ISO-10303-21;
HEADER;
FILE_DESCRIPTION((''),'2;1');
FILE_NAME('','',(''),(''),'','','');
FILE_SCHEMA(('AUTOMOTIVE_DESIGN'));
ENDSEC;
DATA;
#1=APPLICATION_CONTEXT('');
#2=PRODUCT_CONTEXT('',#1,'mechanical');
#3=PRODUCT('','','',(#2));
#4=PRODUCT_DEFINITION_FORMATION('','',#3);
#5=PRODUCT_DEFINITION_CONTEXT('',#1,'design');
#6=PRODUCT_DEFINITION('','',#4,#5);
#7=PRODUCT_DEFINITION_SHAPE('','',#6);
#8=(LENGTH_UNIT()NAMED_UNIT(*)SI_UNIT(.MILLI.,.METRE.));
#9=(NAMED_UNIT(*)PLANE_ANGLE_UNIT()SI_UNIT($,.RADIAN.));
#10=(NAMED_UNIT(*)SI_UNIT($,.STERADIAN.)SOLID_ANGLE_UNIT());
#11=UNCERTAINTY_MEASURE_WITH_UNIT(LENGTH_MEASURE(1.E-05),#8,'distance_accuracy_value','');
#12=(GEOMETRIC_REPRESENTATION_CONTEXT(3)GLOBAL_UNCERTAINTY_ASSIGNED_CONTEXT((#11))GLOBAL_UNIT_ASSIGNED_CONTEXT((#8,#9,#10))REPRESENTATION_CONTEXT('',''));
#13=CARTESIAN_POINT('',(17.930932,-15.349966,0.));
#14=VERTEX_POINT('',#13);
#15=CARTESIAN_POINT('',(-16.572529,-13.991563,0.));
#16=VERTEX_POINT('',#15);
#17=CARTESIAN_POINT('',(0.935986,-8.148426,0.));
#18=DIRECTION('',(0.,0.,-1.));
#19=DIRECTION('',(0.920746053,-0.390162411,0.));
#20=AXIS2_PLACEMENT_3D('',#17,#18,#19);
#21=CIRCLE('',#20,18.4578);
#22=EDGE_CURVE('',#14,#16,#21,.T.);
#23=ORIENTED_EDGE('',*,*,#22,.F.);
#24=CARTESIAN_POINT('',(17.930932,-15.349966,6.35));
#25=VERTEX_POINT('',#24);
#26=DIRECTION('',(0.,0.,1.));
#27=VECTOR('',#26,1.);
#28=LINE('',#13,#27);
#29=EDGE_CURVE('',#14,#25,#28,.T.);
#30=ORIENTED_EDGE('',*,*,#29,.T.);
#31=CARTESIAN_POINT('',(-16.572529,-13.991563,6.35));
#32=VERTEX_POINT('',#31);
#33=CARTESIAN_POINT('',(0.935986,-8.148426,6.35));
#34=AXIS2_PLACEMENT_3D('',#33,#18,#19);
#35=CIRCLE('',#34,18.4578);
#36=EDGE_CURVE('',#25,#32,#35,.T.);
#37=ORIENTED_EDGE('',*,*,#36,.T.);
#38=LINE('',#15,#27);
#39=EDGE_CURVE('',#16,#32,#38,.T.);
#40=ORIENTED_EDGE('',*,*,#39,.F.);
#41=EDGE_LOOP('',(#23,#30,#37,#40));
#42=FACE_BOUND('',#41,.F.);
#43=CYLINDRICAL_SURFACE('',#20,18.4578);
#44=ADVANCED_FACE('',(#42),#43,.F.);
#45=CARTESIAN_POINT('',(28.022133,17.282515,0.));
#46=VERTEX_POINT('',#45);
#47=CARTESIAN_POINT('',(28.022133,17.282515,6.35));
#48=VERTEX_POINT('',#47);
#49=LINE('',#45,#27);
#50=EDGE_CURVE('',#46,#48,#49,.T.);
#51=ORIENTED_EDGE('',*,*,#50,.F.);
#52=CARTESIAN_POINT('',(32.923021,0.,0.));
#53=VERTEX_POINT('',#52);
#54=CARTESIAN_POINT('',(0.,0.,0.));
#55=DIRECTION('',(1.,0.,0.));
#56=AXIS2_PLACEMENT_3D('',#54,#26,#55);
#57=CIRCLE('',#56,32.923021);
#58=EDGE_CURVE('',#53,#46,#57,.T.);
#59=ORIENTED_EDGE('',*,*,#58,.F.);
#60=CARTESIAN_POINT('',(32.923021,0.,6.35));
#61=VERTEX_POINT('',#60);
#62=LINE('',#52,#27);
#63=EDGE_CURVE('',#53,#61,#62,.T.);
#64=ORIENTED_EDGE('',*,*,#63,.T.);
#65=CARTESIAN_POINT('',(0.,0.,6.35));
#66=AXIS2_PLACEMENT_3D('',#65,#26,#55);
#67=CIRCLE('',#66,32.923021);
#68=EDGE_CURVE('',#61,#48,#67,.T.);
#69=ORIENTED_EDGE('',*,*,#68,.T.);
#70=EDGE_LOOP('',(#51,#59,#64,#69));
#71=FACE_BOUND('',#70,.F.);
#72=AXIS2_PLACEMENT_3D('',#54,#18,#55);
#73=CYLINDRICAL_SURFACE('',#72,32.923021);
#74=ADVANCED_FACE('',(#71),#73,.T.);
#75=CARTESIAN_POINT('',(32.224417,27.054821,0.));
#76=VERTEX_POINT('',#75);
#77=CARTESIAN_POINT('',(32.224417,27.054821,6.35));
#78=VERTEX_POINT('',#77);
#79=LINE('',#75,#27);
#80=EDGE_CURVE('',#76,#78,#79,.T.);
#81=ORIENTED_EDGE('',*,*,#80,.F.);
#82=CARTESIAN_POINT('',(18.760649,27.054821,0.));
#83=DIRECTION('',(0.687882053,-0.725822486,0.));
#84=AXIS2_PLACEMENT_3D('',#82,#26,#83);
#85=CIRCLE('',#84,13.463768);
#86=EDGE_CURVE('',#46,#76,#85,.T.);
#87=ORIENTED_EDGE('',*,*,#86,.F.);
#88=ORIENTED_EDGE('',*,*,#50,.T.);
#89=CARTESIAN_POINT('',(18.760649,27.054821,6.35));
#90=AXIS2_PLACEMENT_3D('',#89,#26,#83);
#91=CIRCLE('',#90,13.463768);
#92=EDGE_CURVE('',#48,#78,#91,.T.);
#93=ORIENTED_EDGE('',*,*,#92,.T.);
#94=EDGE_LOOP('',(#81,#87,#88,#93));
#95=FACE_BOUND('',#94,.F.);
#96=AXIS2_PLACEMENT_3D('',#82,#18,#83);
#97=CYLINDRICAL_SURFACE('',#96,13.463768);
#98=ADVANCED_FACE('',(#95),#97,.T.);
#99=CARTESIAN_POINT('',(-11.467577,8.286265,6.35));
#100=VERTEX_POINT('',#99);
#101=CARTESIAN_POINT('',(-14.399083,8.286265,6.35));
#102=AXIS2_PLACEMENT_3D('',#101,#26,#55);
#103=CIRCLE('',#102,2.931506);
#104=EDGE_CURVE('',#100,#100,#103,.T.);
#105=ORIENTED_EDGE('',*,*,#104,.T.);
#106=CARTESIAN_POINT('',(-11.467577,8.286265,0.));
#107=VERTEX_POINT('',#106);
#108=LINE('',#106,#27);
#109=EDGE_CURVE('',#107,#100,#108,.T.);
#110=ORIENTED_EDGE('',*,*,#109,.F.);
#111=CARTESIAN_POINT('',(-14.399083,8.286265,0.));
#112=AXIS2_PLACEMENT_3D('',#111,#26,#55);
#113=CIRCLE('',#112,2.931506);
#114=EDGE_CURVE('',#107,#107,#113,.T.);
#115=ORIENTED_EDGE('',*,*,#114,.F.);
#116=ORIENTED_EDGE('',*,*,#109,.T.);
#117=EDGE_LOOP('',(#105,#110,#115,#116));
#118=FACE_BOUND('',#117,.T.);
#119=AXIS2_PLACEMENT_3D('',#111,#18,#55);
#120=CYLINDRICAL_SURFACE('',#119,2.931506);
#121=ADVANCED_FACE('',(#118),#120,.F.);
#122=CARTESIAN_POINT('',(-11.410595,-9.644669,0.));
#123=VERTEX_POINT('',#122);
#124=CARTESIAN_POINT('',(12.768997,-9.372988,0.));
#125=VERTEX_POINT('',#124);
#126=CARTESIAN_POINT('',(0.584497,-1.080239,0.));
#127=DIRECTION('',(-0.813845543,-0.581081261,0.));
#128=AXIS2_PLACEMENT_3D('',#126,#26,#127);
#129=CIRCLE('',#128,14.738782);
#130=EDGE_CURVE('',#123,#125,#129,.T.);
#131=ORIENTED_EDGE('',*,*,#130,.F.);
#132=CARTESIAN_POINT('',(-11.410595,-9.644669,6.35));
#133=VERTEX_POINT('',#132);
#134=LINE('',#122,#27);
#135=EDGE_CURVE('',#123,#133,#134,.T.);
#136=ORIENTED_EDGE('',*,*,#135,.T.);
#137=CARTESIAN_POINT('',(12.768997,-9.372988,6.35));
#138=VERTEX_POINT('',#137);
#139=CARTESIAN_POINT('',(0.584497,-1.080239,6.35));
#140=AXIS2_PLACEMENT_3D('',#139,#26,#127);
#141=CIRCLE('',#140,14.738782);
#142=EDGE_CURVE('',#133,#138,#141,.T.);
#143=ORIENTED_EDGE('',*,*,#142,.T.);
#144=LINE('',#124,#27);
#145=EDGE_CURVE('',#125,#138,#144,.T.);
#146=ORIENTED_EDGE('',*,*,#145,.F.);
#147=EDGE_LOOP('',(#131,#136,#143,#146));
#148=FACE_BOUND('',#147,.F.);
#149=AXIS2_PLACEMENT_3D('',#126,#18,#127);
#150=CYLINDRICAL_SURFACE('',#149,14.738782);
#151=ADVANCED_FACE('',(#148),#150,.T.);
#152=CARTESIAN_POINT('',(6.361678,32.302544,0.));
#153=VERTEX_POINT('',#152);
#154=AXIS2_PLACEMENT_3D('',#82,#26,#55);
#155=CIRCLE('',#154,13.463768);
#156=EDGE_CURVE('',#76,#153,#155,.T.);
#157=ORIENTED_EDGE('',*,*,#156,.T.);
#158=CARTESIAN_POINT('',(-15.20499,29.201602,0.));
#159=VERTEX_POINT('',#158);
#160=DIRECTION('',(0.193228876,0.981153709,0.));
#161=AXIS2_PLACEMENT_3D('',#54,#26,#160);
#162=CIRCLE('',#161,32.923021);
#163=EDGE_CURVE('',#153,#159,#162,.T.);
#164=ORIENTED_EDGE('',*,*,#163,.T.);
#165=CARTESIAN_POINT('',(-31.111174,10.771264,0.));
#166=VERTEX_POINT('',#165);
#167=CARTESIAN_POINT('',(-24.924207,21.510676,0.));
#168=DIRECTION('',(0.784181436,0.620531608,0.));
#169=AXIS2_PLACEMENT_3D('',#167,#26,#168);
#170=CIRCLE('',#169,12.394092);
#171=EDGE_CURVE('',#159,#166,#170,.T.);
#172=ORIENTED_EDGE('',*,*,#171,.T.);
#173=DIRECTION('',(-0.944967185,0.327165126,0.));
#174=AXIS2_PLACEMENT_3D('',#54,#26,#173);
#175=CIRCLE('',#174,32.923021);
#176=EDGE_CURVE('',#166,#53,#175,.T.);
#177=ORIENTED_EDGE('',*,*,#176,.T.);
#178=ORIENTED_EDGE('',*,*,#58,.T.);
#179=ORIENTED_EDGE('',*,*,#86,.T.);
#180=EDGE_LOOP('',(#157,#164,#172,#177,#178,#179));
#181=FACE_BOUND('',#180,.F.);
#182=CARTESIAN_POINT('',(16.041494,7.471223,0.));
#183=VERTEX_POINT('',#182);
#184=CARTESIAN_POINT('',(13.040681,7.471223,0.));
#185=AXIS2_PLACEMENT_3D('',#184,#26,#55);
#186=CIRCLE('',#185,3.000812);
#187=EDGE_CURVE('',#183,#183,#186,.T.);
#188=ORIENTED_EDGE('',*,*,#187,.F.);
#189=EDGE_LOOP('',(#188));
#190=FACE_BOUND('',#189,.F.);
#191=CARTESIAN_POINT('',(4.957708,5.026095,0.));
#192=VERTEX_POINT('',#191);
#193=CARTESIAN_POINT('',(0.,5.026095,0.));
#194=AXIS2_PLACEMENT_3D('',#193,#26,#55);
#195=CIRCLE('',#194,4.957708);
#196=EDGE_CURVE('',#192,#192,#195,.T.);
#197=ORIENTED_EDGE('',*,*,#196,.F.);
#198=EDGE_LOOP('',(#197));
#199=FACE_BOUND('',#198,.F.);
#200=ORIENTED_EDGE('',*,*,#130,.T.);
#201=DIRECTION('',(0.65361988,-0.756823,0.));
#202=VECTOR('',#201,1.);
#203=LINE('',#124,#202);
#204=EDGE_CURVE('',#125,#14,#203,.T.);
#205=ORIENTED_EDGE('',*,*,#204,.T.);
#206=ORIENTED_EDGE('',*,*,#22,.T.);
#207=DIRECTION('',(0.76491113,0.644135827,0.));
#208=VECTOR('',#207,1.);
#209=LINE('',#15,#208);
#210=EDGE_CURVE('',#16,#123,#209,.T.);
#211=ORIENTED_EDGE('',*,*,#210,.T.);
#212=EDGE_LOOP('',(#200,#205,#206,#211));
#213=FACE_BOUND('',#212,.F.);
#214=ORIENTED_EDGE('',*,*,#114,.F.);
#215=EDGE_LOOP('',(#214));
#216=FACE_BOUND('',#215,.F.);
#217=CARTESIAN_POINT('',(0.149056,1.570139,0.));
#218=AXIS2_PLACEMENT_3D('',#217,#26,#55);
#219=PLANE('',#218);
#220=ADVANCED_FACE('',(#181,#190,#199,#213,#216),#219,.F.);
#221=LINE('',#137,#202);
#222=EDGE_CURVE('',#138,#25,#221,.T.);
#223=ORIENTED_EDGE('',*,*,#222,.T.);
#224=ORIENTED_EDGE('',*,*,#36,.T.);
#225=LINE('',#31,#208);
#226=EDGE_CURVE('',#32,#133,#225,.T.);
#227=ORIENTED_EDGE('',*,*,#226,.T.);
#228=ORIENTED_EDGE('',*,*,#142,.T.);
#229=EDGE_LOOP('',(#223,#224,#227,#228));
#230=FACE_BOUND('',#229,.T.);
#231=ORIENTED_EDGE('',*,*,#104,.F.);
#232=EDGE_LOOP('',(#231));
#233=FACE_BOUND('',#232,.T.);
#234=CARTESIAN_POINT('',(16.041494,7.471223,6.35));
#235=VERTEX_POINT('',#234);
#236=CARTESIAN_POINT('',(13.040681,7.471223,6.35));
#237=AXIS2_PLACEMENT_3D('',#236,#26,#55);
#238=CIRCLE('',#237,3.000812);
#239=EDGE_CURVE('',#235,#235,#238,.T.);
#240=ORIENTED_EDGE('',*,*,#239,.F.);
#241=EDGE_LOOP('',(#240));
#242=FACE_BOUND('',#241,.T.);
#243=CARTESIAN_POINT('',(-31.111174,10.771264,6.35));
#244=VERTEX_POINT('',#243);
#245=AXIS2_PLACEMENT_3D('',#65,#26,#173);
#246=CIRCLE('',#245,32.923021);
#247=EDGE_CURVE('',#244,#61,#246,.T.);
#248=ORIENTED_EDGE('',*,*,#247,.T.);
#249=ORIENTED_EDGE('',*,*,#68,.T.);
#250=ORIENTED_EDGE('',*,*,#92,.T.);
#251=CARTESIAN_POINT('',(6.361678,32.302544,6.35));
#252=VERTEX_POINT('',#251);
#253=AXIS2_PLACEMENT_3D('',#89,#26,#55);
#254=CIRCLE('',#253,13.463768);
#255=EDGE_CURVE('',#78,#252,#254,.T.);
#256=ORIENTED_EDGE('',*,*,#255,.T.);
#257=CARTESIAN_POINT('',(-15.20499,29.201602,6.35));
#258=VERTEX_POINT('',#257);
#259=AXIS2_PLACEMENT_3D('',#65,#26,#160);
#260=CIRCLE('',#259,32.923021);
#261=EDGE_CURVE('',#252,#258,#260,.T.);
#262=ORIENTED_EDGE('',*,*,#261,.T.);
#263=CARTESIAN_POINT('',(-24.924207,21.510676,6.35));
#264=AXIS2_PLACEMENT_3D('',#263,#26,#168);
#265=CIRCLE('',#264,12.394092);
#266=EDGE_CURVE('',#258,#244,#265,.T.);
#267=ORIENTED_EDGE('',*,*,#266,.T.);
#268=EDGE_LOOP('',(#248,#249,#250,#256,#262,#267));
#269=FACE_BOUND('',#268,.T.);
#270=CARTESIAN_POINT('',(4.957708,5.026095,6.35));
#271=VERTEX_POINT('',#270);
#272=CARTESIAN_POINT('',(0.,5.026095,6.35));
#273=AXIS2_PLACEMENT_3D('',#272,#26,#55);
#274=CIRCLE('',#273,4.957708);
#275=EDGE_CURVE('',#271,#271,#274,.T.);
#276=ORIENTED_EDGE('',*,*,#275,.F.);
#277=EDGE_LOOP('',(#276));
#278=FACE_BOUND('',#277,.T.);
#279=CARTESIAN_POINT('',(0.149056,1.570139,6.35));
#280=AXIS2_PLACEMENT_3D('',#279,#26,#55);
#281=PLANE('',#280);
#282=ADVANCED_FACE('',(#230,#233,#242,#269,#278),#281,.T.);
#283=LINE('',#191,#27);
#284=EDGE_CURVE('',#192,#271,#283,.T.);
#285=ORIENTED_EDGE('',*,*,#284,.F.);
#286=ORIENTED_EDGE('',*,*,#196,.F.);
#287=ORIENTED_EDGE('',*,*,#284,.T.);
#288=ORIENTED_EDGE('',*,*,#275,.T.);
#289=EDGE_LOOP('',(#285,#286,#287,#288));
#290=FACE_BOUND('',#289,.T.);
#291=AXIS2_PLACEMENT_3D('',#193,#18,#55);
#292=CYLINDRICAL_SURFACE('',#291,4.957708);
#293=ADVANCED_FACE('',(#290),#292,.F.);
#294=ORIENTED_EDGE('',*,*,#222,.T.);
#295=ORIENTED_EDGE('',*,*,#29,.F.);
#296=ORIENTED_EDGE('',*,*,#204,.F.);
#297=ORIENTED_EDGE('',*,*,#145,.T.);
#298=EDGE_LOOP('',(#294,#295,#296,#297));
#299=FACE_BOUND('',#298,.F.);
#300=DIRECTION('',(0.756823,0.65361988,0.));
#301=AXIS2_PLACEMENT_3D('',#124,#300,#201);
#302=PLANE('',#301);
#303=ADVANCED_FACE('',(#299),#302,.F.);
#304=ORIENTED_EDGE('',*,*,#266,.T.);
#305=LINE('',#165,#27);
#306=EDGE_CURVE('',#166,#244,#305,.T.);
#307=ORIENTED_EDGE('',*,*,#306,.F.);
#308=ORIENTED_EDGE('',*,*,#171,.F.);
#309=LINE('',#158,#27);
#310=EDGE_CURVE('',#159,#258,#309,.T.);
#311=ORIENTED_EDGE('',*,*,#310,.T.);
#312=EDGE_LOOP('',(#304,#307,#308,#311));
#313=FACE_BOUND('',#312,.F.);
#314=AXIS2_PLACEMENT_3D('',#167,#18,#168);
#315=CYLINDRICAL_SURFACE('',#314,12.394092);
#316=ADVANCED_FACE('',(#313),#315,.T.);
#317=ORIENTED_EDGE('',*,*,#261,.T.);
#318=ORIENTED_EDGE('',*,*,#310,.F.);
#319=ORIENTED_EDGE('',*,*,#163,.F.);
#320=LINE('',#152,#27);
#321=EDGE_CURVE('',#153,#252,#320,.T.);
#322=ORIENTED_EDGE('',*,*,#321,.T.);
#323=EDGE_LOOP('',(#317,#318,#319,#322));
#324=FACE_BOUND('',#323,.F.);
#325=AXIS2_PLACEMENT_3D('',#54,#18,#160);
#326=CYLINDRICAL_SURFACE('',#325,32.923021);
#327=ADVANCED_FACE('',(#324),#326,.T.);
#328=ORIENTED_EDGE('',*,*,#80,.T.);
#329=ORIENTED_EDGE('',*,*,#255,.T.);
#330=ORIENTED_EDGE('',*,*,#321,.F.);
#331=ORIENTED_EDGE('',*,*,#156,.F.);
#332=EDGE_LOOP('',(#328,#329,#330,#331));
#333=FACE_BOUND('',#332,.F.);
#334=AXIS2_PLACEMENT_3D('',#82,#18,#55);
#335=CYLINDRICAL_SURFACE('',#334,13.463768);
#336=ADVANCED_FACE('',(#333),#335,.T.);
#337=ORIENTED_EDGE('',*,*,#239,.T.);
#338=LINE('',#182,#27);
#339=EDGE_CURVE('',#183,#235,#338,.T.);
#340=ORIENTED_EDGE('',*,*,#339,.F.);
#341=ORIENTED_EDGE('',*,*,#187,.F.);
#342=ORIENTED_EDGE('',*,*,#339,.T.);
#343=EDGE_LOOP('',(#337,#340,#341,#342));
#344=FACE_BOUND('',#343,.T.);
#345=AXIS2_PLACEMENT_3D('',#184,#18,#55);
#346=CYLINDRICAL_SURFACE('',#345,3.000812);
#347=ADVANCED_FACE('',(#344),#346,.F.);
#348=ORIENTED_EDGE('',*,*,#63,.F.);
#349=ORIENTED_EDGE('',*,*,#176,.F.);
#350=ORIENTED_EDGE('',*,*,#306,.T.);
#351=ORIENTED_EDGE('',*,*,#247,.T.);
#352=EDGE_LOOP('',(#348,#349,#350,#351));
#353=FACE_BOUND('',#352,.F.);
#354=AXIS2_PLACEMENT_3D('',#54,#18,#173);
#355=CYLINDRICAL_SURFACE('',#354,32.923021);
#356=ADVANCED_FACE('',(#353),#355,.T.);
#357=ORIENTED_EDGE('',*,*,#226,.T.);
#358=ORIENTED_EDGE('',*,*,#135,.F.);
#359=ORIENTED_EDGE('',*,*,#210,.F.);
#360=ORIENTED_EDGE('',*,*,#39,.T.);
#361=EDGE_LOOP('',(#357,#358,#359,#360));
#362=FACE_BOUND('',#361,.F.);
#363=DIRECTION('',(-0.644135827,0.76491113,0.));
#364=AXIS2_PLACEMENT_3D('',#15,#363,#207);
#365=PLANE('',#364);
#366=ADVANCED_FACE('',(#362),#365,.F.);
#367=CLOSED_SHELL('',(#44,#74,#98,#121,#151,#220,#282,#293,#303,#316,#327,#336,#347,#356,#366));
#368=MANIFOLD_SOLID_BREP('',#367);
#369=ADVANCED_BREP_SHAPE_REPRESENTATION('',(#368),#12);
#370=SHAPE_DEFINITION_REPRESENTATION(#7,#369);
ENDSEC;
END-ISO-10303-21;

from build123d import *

# Parameters (mm, degrees)
F0_R     = 2.9315059489
F0_R_2   = 4.9577082706
F0_R_3   = 3.0008121714
F1_DEPTH = 6.35


with BuildPart() as f1:
    # F0 (on Top) → F1 (new body)
    with BuildSketch(Plane.XY):
        with BuildLine():
            ThreePointArc((-31.111174148, 10.771264197), (-5.4612938069, -32.4668994396), (32.9230206583, 0))
            ThreePointArc((32.9230206583, 0), (31.6741105539, 8.9819825144), (28.0221331774, 17.282515484))
            ThreePointArc((28.0221331774, 17.282515484), (11.0885388977, 15.9908350993), (6.3616782796, 32.3025438431))
            ThreePointArc((6.3616782796, 32.3025438431), (-4.6856163495, 32.5878856125), (-15.2049900361, 29.2016021353))
            ThreePointArc((-15.2049900361, 29.2016021353), (-13.2179182524, 25.5820794163), (-12.5301148045, 21.510676046))
            ThreePointArc((-12.5301148045, 21.510676046), (-18.7221234211, 10.7799871913), (-31.111174148, 10.771264197))
        make_face()
        with BuildLine():
            ThreePointArc((17.930932343, -15.3499655426), (0.2098643008, -26.5919373772), (-16.5725294501, -13.9915626496))
            Line((-16.5725294501, -13.9915626496), (-11.4105949178, -9.6446694806))
            ThreePointArc((-11.4105949178, -9.6446694806), (0.750091805, -15.8180913269), (12.7689968795, -9.3729877844))
            Line((12.7689968795, -9.3729877844), (17.930932343, -15.3499655426))
        make_face(mode=Mode.SUBTRACT)
        with Locations((-14.3990833312, 8.286264725)):
            Circle(F0_R, mode=Mode.SUBTRACT)
        with Locations((0, 5.0260950811)):
            Circle(F0_R_2, mode=Mode.SUBTRACT)
        with Locations((13.0406813696, 7.4712228961)):
            Circle(F0_R_3, mode=Mode.SUBTRACT)
        with BuildLine():
            ThreePointArc((6.3616782796, 32.3025438431), (11.0885388977, 15.9908350993), (28.0221331774, 17.282515484))
            ThreePointArc((28.0221331774, 17.282515484), (18.760648591, 27.0548212656), (6.3616782796, 32.3025438431))
        make_face()
        with BuildLine():
            ThreePointArc((6.3616782796, 32.3025438431), (18.760648591, 27.0548212656), (28.0221331774, 17.282515484))
            ThreePointArc((28.0221331774, 17.282515484), (31.1293093852, 21.7360538154), (32.2244168983, 27.0548212656))
            ThreePointArc((32.2244168983, 27.0548212656), (21.4379787454, 40.2497051331), (6.3616782796, 32.3025438431))
        make_face()
        with BuildLine():
            ThreePointArc((-15.2049900361, 29.2016021353), (-34.3070925434, 29.6085146222), (-31.111174148, 10.771264197))
            ThreePointArc((-31.111174148, 10.771264197), (-24.9242072153, 21.510676046), (-15.2049900361, 29.2016021353))
        make_face()
        with BuildLine():
            ThreePointArc((-15.2049900361, 29.2016021353), (-24.9242072153, 21.510676046), (-31.111174148, 10.771264197))
            ThreePointArc((-31.111174148, 10.771264197), (-18.7221234211, 10.7799871913), (-12.5301148045, 21.510676046))
            ThreePointArc((-12.5301148045, 21.510676046), (-13.2179182524, 25.5820794163), (-15.2049900361, 29.2016021353))
        make_face()
    extrude(amount=F1_DEPTH)


solid = f1.part
